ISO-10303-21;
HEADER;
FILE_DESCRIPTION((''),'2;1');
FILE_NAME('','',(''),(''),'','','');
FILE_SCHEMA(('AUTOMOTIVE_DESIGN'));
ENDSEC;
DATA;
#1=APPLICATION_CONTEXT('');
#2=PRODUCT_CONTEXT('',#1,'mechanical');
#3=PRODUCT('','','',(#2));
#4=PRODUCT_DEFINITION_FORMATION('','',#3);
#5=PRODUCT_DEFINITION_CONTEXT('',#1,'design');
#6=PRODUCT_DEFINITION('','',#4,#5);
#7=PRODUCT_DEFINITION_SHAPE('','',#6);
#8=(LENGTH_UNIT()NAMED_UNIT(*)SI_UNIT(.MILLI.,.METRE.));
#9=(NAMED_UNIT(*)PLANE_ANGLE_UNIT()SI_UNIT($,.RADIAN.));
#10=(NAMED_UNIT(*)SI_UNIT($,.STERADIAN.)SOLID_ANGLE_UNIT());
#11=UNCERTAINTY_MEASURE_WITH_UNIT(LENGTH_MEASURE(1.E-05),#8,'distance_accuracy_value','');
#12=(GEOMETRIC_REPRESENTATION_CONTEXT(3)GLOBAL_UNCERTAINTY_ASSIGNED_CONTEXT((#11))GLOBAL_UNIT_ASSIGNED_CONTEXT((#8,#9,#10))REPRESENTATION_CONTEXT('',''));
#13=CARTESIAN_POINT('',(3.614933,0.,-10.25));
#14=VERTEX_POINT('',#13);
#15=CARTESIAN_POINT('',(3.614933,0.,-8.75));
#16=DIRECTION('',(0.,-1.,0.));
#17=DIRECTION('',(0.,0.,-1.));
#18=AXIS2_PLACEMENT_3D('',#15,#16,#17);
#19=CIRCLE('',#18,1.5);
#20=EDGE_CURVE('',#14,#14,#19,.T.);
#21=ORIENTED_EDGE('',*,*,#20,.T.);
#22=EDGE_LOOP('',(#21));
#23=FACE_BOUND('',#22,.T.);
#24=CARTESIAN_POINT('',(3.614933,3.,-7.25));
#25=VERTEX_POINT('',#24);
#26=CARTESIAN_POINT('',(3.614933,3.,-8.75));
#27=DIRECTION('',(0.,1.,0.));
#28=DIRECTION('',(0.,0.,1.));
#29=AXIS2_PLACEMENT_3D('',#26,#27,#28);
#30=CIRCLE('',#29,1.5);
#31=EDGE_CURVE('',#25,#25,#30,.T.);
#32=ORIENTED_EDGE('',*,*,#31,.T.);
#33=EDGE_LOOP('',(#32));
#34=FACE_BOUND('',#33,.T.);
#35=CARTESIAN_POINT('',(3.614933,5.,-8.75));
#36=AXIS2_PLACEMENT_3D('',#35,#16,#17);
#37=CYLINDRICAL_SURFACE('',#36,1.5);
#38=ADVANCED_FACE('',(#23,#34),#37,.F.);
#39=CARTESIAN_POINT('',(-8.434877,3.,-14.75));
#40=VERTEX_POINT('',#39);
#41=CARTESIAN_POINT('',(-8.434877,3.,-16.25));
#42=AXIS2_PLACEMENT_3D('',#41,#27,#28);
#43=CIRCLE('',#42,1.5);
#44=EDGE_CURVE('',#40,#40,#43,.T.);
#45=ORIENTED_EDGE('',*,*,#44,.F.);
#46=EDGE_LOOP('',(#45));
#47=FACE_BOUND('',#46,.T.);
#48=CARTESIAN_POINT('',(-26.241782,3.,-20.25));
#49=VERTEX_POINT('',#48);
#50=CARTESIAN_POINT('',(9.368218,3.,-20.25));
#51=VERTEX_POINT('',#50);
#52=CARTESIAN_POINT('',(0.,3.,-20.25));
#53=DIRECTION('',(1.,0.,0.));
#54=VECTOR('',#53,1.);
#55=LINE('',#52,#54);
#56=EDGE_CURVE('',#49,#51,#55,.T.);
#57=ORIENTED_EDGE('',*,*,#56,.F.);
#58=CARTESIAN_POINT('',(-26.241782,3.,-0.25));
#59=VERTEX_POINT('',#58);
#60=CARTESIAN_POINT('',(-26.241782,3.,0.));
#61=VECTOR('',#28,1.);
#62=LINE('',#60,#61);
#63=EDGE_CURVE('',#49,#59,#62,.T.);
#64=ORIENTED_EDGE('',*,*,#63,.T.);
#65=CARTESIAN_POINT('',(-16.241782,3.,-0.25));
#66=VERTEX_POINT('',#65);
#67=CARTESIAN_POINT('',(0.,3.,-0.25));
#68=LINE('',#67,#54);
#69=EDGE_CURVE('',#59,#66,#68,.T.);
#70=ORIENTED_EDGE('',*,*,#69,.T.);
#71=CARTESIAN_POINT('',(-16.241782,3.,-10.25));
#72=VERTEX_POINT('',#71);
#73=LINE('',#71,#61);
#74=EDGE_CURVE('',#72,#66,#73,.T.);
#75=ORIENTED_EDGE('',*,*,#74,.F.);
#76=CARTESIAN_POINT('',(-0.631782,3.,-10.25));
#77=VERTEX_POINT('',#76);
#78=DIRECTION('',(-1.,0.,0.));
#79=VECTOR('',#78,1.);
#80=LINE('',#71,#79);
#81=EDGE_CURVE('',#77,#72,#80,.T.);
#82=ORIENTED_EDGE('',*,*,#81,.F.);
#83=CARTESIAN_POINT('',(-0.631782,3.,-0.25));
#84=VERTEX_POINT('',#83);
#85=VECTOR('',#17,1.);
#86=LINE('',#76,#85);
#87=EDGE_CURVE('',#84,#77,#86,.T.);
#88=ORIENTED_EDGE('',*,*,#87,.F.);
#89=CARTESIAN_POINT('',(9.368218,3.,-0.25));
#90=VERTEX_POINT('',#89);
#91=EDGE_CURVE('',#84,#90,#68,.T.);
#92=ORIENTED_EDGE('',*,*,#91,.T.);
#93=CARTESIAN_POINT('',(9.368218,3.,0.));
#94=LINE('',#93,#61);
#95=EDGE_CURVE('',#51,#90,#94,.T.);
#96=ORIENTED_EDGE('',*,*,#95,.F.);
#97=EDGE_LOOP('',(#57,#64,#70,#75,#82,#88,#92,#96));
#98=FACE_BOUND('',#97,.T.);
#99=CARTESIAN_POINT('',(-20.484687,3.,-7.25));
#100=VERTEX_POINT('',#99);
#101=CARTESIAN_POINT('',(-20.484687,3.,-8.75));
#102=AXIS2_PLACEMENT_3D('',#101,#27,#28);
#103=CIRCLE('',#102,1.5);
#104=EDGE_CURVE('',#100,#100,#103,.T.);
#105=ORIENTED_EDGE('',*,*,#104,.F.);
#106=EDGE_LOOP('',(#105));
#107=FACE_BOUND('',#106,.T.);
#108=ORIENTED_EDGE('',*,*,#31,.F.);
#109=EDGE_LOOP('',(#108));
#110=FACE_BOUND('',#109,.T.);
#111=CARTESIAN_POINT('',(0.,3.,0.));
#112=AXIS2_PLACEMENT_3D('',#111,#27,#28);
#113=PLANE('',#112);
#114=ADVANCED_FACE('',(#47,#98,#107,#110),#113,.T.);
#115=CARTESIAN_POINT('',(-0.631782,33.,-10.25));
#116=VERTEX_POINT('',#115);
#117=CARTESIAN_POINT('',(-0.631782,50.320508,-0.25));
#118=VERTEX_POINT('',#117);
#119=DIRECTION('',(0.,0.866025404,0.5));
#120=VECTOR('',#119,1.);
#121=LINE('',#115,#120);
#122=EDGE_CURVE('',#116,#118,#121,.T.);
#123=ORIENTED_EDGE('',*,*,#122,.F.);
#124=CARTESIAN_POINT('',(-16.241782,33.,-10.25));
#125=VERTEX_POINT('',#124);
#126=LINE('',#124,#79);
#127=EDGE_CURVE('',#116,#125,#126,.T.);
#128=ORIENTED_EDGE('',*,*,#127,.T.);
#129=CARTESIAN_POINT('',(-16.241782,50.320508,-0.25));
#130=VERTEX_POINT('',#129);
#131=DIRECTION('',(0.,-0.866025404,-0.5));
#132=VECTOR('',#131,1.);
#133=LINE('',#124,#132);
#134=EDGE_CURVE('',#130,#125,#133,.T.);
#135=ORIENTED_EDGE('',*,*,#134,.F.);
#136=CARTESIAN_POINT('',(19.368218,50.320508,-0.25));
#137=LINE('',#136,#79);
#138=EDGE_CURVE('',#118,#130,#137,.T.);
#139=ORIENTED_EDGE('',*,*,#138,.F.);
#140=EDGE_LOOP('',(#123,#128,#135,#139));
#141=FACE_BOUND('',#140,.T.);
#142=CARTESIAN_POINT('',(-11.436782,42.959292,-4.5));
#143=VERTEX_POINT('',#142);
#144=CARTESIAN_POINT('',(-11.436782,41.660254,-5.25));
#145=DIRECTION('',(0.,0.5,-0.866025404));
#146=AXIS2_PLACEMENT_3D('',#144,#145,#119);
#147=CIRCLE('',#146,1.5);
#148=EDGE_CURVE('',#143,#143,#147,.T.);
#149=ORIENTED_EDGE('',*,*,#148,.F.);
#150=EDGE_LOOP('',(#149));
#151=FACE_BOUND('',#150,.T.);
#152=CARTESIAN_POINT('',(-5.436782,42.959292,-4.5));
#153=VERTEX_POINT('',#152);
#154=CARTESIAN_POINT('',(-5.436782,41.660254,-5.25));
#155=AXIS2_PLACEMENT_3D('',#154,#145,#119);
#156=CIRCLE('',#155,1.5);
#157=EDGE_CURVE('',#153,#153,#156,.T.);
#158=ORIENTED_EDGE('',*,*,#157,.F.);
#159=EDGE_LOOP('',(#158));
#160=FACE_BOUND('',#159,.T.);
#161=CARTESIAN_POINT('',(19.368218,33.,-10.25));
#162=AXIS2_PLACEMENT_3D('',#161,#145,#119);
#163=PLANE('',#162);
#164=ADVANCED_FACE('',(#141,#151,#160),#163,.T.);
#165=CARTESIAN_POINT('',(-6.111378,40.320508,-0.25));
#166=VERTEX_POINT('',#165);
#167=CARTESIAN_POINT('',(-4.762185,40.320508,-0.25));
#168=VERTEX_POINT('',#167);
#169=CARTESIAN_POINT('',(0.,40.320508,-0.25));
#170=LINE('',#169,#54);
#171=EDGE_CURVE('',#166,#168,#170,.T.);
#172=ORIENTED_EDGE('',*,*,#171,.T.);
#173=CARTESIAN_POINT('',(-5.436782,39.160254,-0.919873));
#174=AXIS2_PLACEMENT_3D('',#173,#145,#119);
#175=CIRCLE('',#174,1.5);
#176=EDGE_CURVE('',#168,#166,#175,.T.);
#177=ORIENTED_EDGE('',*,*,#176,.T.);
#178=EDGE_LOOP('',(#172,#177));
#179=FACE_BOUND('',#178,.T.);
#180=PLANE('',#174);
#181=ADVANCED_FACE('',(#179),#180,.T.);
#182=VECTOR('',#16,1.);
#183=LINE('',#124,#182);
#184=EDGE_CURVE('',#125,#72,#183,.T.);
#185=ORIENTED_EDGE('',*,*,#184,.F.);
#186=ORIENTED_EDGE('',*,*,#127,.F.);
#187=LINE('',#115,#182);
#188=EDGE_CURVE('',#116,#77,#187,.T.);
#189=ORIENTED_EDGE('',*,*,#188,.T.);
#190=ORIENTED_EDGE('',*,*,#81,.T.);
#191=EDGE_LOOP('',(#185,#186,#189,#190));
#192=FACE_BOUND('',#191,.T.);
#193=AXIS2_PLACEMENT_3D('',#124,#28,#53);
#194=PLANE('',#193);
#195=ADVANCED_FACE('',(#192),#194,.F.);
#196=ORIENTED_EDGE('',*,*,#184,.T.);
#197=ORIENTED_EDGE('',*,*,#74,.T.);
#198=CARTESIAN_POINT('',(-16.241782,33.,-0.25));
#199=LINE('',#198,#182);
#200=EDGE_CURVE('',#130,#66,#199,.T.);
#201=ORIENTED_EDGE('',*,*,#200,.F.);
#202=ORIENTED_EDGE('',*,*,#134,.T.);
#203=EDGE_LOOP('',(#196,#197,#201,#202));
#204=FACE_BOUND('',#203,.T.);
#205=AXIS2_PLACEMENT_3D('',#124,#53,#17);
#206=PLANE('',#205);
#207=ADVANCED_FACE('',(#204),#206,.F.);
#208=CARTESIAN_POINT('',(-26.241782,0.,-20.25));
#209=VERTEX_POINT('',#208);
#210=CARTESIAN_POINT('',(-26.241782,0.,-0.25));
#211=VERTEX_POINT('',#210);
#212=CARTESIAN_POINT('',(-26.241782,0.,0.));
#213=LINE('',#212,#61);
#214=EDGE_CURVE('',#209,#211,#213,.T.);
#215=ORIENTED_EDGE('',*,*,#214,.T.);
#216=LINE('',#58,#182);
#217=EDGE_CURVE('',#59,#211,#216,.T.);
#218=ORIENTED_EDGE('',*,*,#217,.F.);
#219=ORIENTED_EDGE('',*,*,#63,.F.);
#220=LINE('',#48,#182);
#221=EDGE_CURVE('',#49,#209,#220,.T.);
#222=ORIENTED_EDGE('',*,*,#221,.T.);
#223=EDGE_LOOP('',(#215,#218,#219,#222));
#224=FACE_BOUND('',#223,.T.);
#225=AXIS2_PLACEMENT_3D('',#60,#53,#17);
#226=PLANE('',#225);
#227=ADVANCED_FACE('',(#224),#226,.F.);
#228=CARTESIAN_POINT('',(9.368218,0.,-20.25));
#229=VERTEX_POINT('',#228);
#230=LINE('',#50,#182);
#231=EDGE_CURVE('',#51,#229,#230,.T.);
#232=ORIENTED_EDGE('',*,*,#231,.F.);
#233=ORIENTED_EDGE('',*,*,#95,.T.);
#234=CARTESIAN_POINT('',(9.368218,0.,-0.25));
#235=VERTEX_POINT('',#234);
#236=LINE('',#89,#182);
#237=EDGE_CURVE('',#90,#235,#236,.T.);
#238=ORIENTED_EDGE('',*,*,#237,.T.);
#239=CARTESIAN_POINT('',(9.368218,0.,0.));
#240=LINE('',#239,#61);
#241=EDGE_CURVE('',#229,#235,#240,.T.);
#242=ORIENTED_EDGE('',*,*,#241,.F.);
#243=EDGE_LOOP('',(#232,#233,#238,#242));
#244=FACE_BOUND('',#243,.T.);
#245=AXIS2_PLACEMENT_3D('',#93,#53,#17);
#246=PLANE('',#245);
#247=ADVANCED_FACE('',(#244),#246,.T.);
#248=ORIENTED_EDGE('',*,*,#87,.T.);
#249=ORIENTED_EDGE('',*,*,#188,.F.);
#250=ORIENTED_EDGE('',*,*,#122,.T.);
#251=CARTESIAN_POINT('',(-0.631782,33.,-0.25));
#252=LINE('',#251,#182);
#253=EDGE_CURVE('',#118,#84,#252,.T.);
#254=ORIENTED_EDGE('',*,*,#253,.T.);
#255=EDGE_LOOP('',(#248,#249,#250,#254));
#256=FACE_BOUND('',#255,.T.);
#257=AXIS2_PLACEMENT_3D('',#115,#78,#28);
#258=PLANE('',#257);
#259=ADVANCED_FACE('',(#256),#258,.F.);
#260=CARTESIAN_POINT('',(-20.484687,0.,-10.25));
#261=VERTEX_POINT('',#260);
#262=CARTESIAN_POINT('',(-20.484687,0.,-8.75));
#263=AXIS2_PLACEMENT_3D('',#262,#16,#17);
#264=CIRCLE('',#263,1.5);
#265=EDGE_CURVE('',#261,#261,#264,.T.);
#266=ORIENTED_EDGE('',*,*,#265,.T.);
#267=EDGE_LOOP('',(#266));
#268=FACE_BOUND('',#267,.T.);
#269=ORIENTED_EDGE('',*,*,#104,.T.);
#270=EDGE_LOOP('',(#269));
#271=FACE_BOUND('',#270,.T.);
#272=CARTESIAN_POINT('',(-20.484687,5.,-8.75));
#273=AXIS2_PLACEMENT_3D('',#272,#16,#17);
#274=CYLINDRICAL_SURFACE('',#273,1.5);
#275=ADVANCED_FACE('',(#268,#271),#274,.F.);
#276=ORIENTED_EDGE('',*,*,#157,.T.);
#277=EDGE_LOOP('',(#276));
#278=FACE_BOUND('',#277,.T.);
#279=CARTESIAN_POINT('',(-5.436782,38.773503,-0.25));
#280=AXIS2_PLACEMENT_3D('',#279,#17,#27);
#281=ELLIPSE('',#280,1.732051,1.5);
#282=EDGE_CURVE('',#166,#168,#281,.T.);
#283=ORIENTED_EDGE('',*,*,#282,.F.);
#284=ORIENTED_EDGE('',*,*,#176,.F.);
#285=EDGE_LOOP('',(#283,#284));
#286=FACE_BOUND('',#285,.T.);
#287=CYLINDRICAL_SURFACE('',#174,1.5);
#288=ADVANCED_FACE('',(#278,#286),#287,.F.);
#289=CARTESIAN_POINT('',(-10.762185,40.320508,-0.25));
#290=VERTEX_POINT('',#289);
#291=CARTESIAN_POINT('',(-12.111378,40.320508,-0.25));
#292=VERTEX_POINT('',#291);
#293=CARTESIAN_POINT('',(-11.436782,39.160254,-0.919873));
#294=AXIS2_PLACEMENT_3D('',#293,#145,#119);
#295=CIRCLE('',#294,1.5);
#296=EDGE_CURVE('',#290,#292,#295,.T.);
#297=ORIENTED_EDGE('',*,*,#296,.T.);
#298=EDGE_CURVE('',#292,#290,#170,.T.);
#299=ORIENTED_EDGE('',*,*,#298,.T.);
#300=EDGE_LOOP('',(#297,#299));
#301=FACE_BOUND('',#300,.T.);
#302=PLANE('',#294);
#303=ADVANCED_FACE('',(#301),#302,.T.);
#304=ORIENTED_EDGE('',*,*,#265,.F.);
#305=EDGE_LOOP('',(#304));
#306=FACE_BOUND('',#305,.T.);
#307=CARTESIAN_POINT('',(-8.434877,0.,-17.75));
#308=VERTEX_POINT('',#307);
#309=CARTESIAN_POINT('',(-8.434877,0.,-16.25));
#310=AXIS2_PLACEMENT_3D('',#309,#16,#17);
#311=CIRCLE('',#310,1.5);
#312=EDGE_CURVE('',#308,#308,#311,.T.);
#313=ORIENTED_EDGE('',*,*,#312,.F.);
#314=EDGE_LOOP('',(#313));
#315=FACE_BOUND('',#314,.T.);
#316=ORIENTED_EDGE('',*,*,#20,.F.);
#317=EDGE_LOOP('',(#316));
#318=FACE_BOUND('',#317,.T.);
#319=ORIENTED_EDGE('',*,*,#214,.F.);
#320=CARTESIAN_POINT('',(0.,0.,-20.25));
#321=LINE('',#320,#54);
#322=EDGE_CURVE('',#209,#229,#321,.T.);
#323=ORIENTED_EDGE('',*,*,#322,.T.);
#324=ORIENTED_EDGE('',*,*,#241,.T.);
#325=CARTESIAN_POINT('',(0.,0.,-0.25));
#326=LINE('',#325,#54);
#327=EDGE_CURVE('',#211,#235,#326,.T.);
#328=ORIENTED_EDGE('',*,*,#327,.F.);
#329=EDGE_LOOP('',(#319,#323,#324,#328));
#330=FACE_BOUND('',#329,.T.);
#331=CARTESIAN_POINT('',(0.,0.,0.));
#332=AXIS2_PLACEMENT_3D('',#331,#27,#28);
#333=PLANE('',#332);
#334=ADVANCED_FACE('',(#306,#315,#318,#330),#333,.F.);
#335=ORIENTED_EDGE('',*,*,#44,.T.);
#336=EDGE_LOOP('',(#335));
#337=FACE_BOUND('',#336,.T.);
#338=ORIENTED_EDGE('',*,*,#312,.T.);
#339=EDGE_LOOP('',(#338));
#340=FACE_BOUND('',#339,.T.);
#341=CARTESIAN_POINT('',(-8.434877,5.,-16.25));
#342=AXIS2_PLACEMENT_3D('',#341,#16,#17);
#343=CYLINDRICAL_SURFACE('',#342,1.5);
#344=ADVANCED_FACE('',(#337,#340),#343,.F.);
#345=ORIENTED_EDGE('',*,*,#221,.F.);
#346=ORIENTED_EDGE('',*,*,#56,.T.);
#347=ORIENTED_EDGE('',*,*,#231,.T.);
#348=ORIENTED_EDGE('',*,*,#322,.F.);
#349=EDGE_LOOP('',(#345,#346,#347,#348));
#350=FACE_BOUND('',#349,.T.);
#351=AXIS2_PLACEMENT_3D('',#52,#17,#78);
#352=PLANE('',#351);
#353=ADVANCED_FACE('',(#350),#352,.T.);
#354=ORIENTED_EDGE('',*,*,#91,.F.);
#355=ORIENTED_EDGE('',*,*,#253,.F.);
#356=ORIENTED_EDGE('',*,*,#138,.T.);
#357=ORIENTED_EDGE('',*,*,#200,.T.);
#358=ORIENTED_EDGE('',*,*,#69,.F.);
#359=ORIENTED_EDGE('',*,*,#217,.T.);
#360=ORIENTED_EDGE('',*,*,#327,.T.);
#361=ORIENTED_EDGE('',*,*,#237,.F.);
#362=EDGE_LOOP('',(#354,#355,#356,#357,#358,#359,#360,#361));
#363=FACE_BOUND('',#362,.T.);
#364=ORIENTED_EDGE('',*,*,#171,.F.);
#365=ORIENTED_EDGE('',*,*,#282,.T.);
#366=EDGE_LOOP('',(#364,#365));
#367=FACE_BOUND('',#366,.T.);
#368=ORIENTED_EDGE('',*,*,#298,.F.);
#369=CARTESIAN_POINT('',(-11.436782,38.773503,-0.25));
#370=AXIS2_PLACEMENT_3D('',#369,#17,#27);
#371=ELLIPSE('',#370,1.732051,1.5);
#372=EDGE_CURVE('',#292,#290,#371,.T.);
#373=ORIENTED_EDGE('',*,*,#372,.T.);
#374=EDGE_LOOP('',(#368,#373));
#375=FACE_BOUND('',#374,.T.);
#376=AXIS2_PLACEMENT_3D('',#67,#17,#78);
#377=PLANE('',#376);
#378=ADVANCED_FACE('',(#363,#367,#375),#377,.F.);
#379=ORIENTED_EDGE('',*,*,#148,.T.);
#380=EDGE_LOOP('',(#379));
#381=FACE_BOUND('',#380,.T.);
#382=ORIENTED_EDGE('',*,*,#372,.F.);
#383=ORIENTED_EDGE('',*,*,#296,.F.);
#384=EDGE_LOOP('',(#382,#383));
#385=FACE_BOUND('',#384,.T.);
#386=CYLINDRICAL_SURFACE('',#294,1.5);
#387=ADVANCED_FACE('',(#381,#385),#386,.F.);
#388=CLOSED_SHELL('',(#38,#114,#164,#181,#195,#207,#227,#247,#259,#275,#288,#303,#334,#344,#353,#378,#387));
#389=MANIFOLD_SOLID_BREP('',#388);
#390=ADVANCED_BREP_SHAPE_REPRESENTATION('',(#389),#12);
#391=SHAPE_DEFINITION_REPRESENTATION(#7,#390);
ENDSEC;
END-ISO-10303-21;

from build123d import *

# Parameters (mm, degrees)
SKETCH1_W           = 35.61
SKETCH1_H           = 20
BOSS_EXTRUDE1_DEPTH = 3
SKETCH3_R           = 1.5
CUT_EXTRUDE1_DEPTH  = 5
SKETCH7_W           = 15.61
SKETCH7_H           = 10
BOSS_EXTRUDE4_DEPTH = 30
BOSS_EXTRUDE5_DEPTH = 15.61
SKETCH9_R           = 1.5
CUT_EXTRUDE2_DEPTH  = 5


with BuildPart() as part:
    # Sketch1 → Boss-Extrude1 (new body)
    with BuildSketch(Plane(origin=(0, 0, 0), x_dir=(1, 0, 0), z_dir=(0, 1, 0))):
        with Locations((-8.436781609, 10.25)):
            Rectangle(SKETCH1_W, SKETCH1_H)
    extrude(amount=BOSS_EXTRUDE1_DEPTH)

    # Sketch3 → Cut-Extrude1 (cut)
    with BuildSketch(Plane.XZ):
        with Locations(Location((-20.484687418, -8.75, 0), (0, 0, 270))):
            Circle(SKETCH3_R)
        with Locations(Location((-8.434877213, -16.25, 0), (0, 0, 270))):
            Circle(SKETCH3_R)
        with Locations(Location((3.614932992, -8.75, 0), (0, 0, 270))):
            Circle(SKETCH3_R)
    extrude(amount=-CUT_EXTRUDE1_DEPTH, mode=Mode.SUBTRACT)

    # Sketch7 → Boss-Extrude4 (add)
    with BuildSketch(Plane(origin=(0, 3, 0), x_dir=(1, 0, 0), z_dir=(0, 1, 0))):
        with Locations((-8.436781609, 5.25)):
            Rectangle(SKETCH7_W, SKETCH7_H)
    extrude(amount=BOSS_EXTRUDE4_DEPTH)

    # Sketch8 → Boss-Extrude5 (add)
    with BuildSketch(Plane.ZY.offset(16.241781609)):
        Polygon((-10.25, 33), (-0.25, 50.320508076), (-0.25, 33), align=None)
    extrude(amount=-BOSS_EXTRUDE5_DEPTH)

    # Sketch9 → Cut-Extrude2 (cut)
    with BuildSketch(Plane(origin=(0, 12.688380194, -21.976919162), x_dir=(1, 0, 0), z_dir=(0, 0.4999999999999978, -0.8660254037844399))):
        with Locations(Location((-11.436781609, -33.453838325, 0), (0, 0, 270))):
            Circle(SKETCH9_R)
        with Locations(Location((-5.436781609, -33.453838325, 0), (0, 0, 270))):
            Circle(SKETCH9_R)
    extrude(amount=-CUT_EXTRUDE2_DEPTH, mode=Mode.SUBTRACT)


solid = part.part
